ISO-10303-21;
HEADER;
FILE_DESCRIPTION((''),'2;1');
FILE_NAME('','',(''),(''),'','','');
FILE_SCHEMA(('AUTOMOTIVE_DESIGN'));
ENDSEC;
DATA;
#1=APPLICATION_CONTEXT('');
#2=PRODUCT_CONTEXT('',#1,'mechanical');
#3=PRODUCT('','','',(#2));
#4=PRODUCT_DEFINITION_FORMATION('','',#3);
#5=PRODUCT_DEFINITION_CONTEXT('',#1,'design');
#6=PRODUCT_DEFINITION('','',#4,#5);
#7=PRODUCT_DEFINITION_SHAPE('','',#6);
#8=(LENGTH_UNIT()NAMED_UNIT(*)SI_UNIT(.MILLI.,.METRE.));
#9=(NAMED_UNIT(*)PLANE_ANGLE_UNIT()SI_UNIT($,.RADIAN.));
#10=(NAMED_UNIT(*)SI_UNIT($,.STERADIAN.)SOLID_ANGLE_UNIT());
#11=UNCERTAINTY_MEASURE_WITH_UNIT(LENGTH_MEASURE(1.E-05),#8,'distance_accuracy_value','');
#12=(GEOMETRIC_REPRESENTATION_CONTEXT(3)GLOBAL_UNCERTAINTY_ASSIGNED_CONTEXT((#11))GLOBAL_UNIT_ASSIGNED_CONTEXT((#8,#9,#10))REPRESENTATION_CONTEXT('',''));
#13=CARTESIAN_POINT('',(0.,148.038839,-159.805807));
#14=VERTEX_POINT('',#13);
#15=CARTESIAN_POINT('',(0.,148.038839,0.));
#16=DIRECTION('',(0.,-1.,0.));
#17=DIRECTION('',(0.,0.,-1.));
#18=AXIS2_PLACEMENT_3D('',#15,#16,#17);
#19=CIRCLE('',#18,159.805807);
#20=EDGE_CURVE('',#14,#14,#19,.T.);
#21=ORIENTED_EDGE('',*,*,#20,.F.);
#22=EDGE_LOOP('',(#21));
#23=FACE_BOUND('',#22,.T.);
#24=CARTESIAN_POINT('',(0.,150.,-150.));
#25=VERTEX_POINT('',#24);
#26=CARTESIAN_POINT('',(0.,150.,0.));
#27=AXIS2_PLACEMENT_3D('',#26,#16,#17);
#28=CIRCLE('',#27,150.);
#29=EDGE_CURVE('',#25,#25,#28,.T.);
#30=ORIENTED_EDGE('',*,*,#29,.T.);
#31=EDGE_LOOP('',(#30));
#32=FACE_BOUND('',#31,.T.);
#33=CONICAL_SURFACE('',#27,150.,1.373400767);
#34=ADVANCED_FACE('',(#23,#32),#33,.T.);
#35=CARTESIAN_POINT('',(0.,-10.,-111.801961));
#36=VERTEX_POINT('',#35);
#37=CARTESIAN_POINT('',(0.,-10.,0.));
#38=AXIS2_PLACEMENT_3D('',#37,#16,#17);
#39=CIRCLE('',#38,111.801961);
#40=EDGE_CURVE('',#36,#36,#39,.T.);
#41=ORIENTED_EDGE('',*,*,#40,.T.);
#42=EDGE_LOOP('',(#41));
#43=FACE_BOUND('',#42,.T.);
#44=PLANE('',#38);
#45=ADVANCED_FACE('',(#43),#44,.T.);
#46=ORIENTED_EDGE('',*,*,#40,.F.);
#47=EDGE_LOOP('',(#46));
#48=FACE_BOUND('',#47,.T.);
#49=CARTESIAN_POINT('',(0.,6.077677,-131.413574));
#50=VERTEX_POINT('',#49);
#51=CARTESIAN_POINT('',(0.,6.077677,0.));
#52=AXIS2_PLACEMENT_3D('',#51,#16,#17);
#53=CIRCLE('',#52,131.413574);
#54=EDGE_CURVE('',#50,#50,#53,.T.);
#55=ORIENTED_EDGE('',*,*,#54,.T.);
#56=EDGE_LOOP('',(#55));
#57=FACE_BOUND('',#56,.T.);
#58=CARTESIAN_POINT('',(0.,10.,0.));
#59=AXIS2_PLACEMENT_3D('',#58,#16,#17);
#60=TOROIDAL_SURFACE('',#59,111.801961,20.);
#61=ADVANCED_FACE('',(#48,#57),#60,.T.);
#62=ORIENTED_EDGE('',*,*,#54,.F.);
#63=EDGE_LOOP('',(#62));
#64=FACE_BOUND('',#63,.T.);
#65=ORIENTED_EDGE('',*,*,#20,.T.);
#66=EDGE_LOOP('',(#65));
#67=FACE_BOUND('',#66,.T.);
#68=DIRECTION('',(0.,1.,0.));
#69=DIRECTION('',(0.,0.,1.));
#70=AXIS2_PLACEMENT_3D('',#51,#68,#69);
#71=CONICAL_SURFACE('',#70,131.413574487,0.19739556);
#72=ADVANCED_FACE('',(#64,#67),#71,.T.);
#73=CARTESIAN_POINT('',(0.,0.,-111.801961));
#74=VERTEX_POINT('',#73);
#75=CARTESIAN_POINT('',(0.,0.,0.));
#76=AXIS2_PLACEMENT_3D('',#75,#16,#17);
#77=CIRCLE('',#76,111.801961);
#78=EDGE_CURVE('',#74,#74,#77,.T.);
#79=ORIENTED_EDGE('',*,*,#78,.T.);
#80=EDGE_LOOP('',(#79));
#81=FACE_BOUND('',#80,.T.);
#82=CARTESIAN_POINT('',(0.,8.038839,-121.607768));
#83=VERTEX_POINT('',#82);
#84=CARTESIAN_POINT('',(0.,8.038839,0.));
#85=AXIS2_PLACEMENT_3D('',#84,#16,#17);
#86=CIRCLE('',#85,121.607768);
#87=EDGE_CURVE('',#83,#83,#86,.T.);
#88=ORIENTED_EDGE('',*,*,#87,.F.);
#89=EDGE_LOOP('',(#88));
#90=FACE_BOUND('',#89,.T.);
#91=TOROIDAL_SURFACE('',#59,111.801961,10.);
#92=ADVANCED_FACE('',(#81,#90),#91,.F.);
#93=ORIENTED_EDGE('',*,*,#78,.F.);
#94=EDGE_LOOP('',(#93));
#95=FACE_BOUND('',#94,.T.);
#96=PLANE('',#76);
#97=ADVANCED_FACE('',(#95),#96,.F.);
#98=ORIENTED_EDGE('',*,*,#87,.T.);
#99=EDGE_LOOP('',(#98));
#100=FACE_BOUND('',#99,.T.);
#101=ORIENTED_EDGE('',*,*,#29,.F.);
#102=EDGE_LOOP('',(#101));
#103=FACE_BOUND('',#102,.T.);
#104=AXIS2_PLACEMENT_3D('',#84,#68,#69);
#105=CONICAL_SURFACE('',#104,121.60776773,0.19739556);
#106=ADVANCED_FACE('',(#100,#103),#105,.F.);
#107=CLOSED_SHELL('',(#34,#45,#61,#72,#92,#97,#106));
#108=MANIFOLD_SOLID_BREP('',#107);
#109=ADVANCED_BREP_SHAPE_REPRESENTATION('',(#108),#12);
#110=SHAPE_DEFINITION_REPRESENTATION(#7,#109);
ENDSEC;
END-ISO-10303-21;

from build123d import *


with BuildPart() as part:
    # 草图2 → 旋转-薄壁3 (revolve)
    with BuildSketch(Plane(origin=(0, 0, 0), x_dir=(0, 0, -1), z_dir=(1, 0, 0))):
        with BuildLine():
            Line((0, 0), (111.801960973, 0))
            ThreePointArc((111.801960973, 0), (118.141850029, 2.266578587), (121.60776773, 8.038838649))
            Line((121.60776773, 8.038838649), (150, 150))
            Line((150, 150), (159.805806757, 148.038838649))
            Line((159.805806757, 148.038838649), (131.413574487, 6.077677297))
            ThreePointArc((131.413574487, 6.077677297), (124.481739085, -5.466842827), (111.801960973, -10))
            Line((111.801960973, -10), (0, -10))
            Line((0, -10), (0, 0))
        make_face()
    revolve(axis=Axis((0, 0, 0), (0, 1, 0)))


solid = part.part
